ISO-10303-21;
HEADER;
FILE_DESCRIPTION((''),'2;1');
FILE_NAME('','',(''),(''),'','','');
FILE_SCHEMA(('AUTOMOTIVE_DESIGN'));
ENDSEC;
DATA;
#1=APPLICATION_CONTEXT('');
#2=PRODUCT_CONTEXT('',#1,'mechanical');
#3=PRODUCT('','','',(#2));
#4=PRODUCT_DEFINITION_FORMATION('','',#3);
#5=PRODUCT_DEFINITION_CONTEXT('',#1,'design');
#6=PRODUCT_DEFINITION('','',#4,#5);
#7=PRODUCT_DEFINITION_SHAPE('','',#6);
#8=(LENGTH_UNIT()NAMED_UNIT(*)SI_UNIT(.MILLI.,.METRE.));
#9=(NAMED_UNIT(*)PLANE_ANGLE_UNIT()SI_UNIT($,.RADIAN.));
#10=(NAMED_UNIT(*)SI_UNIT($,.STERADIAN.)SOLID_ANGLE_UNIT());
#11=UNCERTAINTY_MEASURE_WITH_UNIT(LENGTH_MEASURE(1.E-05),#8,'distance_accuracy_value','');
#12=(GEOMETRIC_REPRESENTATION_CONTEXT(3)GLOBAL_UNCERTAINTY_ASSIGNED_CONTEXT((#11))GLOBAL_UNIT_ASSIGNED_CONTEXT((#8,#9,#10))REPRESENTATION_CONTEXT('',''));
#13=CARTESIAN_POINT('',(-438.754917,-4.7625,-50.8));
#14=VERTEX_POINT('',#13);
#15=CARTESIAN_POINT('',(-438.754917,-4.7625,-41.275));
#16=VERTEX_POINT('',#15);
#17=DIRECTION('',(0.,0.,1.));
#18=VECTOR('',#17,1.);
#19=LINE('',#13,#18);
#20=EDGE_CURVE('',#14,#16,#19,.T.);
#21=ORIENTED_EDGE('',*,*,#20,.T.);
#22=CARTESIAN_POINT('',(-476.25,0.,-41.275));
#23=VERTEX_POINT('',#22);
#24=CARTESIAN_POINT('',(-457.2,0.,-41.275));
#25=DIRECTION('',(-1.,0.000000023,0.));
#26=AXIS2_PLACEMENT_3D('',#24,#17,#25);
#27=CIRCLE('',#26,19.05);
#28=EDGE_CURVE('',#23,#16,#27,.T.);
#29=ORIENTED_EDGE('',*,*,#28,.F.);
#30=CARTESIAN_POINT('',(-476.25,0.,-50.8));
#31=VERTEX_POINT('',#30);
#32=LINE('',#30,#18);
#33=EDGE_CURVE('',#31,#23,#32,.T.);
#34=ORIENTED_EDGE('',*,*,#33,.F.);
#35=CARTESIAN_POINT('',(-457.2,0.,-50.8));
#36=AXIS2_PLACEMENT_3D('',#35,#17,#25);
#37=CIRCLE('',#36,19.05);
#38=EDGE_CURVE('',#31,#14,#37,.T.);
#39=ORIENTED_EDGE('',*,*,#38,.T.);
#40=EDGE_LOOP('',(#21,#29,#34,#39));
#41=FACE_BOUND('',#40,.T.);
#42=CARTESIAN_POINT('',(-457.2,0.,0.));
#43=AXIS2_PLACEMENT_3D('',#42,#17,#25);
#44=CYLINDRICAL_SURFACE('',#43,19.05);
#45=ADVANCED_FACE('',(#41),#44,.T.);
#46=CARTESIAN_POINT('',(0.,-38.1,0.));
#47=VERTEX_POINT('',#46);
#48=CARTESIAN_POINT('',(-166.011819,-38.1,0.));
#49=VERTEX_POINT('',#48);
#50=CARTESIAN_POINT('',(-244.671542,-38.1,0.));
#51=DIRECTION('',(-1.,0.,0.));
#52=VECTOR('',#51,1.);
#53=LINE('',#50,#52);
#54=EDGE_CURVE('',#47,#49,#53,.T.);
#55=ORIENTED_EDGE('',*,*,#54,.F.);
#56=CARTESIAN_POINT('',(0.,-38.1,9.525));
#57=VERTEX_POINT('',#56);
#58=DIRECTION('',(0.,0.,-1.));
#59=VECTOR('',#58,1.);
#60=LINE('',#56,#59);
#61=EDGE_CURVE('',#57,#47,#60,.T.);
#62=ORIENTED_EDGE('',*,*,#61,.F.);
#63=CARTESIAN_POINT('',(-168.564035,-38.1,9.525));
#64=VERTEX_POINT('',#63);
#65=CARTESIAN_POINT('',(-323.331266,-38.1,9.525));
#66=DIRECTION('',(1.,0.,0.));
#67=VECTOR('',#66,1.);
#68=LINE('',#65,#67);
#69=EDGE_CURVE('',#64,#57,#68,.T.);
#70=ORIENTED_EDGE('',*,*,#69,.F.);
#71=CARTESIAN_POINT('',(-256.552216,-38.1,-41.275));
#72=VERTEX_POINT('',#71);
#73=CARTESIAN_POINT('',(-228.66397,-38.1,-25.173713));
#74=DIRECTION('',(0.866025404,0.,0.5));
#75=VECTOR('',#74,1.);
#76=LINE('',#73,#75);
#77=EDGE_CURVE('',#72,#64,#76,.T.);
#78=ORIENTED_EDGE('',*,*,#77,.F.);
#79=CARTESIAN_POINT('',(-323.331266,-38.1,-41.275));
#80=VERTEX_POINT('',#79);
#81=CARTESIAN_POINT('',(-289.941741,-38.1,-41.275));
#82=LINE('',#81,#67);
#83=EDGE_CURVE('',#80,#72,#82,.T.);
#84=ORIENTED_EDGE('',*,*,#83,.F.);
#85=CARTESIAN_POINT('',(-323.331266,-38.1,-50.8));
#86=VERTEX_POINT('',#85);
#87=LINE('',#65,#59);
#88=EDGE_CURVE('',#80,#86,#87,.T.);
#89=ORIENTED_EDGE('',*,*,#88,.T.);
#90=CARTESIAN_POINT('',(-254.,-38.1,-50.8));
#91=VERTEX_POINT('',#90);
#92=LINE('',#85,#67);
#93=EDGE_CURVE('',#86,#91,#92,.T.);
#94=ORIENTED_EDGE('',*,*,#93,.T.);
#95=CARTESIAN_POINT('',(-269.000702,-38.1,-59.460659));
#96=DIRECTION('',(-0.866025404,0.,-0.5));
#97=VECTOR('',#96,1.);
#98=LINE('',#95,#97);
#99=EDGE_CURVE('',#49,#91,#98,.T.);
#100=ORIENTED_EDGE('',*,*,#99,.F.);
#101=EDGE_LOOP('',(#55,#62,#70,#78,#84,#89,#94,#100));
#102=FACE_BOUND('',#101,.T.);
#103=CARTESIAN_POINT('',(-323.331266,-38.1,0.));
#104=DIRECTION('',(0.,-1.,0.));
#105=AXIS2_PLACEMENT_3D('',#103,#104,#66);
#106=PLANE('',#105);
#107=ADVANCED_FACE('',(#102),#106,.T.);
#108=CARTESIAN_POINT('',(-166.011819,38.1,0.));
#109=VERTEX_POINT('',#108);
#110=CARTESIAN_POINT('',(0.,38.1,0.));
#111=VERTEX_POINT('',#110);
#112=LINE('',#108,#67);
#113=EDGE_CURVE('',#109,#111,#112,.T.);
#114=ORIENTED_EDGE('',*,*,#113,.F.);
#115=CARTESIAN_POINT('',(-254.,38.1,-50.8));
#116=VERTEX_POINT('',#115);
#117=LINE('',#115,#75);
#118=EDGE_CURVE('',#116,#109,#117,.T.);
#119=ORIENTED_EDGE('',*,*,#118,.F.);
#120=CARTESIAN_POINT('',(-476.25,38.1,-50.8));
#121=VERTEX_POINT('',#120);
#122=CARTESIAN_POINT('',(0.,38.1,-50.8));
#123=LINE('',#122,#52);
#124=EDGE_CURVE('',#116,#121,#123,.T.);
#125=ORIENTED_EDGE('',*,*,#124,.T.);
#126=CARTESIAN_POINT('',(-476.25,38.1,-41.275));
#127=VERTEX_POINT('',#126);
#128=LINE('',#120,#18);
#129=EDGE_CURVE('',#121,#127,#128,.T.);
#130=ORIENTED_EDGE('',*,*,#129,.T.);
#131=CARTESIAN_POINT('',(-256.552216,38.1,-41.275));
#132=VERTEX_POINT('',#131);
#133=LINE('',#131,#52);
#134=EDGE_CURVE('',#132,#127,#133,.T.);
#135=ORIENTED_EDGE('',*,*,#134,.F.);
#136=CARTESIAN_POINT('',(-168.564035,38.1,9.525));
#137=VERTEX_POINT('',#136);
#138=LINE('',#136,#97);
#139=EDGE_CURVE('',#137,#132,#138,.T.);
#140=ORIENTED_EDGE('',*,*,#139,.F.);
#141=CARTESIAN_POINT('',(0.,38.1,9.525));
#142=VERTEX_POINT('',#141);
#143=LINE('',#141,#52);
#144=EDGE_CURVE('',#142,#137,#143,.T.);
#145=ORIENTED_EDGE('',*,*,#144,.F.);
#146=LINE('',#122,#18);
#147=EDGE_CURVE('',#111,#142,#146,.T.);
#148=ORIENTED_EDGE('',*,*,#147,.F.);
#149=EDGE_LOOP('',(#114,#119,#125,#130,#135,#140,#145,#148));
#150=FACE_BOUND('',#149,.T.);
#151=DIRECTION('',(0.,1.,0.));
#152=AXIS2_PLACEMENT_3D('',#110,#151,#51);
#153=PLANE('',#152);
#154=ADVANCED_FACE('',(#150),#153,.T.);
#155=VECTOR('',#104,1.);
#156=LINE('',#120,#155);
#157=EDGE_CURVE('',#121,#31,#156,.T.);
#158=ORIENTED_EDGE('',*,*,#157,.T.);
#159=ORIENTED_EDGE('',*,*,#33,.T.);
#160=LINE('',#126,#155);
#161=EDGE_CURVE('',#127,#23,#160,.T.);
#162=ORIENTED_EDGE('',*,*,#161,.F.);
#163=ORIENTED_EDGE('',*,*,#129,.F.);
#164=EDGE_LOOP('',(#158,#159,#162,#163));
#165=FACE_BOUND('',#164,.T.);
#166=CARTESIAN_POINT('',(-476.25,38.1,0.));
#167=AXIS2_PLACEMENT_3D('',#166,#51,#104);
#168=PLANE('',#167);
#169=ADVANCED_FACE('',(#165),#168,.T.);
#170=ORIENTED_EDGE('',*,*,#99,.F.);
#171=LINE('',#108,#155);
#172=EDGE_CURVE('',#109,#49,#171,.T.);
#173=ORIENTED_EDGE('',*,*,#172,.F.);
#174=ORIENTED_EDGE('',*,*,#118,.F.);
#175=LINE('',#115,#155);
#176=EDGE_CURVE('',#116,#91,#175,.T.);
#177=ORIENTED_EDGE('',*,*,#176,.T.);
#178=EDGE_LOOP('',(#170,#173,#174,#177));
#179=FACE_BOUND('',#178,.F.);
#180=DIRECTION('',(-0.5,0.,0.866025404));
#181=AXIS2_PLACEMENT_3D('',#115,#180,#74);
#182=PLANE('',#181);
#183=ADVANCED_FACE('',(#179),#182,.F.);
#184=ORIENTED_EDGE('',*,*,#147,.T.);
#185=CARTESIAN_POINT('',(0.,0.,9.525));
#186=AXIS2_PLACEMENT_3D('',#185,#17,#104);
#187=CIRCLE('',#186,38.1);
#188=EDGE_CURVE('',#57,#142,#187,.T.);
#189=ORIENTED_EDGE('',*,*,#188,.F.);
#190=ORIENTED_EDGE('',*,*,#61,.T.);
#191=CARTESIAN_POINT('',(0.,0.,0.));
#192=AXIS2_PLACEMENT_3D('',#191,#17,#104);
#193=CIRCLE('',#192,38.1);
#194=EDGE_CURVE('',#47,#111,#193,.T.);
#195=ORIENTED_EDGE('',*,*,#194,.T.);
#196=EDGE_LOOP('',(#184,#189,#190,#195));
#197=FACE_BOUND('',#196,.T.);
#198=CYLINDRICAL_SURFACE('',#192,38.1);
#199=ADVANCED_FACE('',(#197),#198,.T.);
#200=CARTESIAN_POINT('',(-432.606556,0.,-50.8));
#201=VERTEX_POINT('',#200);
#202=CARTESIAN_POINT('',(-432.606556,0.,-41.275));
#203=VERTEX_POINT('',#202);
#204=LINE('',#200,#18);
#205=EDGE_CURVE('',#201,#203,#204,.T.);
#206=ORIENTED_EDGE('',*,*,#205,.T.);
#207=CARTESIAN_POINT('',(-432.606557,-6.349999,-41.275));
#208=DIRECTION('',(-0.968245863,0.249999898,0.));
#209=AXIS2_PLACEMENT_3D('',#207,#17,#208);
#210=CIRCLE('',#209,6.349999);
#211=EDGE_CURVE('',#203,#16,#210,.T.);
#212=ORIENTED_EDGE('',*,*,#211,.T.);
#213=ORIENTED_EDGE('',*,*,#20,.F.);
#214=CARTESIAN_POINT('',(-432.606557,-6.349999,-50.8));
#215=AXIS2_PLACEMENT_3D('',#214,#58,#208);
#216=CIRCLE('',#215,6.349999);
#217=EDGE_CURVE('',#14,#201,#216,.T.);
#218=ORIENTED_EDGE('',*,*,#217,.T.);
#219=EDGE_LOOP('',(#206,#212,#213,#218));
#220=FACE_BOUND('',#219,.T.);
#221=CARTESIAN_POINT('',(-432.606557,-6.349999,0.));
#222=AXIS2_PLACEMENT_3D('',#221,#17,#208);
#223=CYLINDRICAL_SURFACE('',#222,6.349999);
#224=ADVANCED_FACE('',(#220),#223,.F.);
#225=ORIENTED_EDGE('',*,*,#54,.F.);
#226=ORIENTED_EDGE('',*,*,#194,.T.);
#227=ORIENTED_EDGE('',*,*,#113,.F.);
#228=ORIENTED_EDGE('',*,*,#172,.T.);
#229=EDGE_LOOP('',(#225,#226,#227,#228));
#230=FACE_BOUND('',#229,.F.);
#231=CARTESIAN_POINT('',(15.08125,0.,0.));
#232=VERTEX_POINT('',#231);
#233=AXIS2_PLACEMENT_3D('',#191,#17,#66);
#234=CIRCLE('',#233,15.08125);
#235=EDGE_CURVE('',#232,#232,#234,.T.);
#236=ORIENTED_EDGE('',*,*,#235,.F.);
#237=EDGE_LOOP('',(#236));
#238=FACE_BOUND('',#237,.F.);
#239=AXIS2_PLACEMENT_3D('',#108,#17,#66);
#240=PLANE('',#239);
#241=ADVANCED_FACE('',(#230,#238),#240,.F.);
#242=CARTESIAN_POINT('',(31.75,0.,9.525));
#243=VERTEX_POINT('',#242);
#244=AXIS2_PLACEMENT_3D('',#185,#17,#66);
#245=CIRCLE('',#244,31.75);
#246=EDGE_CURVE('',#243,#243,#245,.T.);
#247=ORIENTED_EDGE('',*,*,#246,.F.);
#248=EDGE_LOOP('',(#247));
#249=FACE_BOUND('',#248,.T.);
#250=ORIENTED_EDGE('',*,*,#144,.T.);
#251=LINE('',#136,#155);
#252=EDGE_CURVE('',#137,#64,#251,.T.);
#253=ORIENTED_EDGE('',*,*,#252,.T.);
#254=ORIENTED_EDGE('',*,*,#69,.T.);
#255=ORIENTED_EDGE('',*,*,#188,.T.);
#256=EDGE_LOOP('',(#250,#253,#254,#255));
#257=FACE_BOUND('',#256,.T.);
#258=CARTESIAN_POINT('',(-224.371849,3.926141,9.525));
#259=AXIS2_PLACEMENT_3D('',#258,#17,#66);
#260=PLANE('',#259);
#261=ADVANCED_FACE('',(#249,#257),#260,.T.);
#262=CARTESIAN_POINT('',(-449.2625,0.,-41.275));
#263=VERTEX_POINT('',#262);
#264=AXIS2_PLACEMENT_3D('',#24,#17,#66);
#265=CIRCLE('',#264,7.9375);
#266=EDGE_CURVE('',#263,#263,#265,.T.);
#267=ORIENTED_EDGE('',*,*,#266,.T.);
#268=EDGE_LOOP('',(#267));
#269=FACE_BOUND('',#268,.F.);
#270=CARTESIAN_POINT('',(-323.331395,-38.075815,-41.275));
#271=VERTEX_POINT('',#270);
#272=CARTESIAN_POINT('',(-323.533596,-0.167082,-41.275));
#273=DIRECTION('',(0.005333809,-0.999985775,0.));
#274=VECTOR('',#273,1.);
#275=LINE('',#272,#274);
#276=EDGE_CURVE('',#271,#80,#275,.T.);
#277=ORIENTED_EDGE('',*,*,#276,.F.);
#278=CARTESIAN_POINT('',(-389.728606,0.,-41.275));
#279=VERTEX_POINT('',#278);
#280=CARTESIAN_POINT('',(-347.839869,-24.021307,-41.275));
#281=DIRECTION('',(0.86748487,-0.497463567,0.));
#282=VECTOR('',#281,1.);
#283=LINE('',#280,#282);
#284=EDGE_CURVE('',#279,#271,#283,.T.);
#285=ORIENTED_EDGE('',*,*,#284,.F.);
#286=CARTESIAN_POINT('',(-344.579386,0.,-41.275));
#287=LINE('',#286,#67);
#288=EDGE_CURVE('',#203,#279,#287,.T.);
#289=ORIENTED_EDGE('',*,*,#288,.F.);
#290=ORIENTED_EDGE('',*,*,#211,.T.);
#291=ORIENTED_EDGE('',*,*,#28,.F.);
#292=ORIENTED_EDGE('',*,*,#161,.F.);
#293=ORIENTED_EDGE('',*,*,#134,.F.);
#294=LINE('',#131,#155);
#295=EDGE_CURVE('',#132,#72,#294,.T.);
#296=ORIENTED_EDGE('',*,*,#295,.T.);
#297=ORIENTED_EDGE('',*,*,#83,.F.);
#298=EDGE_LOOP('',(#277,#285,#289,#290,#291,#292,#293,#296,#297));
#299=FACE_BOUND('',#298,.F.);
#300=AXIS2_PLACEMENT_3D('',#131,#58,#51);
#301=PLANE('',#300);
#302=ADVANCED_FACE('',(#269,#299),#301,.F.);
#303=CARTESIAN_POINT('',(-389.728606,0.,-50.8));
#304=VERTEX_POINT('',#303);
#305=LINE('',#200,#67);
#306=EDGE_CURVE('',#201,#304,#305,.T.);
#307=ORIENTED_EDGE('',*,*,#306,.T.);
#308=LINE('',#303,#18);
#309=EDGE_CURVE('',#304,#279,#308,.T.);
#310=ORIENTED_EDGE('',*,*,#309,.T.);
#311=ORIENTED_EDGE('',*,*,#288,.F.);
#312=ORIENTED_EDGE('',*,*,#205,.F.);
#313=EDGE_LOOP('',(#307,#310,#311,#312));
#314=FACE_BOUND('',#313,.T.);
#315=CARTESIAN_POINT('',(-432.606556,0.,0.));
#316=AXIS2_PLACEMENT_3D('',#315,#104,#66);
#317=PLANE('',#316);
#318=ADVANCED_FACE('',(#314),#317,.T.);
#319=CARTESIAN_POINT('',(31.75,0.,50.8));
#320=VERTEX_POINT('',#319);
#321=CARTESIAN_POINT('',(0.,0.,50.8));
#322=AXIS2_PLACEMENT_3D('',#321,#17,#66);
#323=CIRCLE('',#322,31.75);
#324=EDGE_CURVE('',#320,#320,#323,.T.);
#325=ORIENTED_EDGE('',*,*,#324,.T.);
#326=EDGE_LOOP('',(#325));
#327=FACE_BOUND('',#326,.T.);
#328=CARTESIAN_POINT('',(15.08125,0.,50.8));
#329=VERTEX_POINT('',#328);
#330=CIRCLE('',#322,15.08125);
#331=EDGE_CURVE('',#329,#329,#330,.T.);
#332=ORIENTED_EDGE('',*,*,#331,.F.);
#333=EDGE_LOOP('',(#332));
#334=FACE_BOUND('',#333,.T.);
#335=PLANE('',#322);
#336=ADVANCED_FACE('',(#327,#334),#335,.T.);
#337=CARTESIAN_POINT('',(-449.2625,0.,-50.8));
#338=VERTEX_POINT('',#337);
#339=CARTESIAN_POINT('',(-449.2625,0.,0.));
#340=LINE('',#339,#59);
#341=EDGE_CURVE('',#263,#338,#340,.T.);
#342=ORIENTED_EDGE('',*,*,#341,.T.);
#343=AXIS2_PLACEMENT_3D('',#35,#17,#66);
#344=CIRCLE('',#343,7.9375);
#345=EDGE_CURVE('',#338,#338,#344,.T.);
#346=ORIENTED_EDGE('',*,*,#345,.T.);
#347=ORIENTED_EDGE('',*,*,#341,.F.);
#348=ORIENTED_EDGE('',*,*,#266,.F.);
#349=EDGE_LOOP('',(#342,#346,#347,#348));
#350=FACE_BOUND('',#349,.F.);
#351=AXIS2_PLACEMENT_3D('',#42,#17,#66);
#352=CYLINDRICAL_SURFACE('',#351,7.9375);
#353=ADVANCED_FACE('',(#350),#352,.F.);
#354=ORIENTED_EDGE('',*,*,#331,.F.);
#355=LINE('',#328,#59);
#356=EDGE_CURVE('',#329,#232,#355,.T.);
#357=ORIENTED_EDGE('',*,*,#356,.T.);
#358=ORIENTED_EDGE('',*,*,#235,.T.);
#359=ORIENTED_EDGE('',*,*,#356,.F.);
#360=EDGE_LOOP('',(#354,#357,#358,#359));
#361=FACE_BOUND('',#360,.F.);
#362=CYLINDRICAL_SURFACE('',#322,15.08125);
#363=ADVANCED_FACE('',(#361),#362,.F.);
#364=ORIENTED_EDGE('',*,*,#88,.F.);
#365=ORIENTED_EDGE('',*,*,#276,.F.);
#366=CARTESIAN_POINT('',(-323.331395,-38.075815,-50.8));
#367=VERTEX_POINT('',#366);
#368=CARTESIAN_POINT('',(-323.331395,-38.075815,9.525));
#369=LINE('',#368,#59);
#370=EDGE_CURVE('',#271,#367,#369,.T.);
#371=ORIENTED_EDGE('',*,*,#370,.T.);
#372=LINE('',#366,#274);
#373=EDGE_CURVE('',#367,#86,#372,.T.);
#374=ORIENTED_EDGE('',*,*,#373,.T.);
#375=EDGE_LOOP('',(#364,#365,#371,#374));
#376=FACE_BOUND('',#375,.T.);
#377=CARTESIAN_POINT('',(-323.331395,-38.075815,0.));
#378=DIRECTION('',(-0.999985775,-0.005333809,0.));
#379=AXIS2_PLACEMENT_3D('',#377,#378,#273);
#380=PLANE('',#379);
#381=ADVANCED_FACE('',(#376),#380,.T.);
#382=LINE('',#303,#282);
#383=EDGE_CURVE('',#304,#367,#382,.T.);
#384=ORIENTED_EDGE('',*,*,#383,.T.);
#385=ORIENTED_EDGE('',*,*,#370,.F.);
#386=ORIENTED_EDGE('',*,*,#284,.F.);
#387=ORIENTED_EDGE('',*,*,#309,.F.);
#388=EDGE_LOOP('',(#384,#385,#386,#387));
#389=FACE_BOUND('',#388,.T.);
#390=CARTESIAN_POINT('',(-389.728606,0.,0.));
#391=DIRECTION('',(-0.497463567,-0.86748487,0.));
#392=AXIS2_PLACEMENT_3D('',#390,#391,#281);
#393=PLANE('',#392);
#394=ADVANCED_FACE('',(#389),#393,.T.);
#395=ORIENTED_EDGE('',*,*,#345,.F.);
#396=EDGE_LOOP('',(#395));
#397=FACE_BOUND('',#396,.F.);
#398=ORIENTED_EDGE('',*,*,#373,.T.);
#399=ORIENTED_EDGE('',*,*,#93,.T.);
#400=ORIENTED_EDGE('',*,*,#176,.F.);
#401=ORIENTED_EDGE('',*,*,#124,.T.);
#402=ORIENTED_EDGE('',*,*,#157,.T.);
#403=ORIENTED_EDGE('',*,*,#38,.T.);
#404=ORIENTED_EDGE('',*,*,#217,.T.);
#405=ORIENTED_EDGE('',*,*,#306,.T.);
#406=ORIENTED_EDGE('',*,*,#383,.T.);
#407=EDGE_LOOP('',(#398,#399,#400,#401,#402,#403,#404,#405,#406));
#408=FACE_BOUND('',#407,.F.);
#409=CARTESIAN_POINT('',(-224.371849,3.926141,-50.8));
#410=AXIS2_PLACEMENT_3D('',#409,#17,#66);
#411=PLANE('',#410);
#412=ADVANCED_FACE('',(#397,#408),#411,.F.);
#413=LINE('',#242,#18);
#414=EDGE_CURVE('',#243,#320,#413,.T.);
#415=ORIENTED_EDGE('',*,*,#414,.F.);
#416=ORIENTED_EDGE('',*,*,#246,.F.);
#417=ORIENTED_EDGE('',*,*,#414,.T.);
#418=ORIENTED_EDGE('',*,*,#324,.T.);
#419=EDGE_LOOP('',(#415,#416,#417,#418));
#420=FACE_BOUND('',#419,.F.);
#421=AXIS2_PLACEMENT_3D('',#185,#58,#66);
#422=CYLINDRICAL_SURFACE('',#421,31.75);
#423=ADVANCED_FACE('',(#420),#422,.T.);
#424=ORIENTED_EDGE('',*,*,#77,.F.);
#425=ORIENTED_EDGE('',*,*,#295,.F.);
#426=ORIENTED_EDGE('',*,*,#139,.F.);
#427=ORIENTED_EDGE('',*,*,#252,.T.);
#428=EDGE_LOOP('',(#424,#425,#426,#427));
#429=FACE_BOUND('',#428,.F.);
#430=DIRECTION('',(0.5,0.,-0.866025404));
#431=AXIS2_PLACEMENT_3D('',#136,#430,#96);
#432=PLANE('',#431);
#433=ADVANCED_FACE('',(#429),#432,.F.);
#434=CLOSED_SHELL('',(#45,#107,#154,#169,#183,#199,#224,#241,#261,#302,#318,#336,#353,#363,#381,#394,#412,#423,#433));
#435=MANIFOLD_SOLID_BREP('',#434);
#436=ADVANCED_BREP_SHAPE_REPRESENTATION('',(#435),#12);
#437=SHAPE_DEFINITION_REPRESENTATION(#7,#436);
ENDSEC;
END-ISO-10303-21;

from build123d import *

# Parameters (mm, degrees)
F0_R          = 7.9375
F1_DEPTH      = 9.525
F1_DEPTH_BACK = 50.8
F2_R          = 31.75
F3_DEPTH      = 41.275
F4_R          = 15.08125
F5_DEPTH      = 101.601
F7_DEPTH      = 76.201


with BuildPart() as f1:
    # F0 (on Top) → F1 (new body, two sides)
    with BuildSketch(Plane.XY) as f1_sk:
        with BuildLine():
            Line((-323.28922, -38.1), (0, -38.1))
            ThreePointArc((0, -38.1), (38.1, 0), (0, 38.1))
            Line((0, 38.1), (-476.25, 38.1))
            Line((-476.25, 38.1), (-476.25, 0))
            ThreePointArc((-476.25, 0), (-459.600382, -18.898166), (-438.754917, -4.7625))
            ThreePointArc((-438.754917, -4.7625), (-436.495121, -1.329884), (-432.606556, 0))
            Line((-432.606556, 0), (-389.728606, 0))
            Line((-389.728606, 0), (-323.331395, -38.075815))
            Line((-323.331395, -38.075815), (-323.28922, -38.1))
        make_face()
        with Locations((-457.2, 0)):
            Circle(F0_R, mode=Mode.SUBTRACT)
        Polygon((-323.331266, -38.1), (-323.28922, -38.1), (-323.331395, -38.075815), align=None)
    extrude(amount=F1_DEPTH)
    extrude(f1_sk.sketch, amount=-F1_DEPTH_BACK)

    # F2 (on face) → F3 (join)
    with BuildSketch(Plane.XY.offset(9.525)):
        Circle(F2_R)
    extrude(amount=F3_DEPTH)

    # F4 (on face) → F5 (cut, through all)
    with BuildSketch(Plane.XY.offset(50.8)):
        Circle(F4_R)
    extrude(amount=-F5_DEPTH, mode=Mode.SUBTRACT)

    # F6 (on face) → F7 (cut, through all)
    with BuildSketch(Plane(origin=(0, 38.1, 0), x_dir=(-1, 0, 0), z_dir=(0, 1, 0))):
        Polygon((-101.6, -50.8), (254, -50.8), (166.011819, 0), (-101.6, 0), align=None)
        Polygon((524.164035, 9.525), (168.564035, 9.525), (256.552216, -41.275), (524.164035, -41.275), align=None)
    extrude(amount=-F7_DEPTH, mode=Mode.SUBTRACT)


solid = f1.part
